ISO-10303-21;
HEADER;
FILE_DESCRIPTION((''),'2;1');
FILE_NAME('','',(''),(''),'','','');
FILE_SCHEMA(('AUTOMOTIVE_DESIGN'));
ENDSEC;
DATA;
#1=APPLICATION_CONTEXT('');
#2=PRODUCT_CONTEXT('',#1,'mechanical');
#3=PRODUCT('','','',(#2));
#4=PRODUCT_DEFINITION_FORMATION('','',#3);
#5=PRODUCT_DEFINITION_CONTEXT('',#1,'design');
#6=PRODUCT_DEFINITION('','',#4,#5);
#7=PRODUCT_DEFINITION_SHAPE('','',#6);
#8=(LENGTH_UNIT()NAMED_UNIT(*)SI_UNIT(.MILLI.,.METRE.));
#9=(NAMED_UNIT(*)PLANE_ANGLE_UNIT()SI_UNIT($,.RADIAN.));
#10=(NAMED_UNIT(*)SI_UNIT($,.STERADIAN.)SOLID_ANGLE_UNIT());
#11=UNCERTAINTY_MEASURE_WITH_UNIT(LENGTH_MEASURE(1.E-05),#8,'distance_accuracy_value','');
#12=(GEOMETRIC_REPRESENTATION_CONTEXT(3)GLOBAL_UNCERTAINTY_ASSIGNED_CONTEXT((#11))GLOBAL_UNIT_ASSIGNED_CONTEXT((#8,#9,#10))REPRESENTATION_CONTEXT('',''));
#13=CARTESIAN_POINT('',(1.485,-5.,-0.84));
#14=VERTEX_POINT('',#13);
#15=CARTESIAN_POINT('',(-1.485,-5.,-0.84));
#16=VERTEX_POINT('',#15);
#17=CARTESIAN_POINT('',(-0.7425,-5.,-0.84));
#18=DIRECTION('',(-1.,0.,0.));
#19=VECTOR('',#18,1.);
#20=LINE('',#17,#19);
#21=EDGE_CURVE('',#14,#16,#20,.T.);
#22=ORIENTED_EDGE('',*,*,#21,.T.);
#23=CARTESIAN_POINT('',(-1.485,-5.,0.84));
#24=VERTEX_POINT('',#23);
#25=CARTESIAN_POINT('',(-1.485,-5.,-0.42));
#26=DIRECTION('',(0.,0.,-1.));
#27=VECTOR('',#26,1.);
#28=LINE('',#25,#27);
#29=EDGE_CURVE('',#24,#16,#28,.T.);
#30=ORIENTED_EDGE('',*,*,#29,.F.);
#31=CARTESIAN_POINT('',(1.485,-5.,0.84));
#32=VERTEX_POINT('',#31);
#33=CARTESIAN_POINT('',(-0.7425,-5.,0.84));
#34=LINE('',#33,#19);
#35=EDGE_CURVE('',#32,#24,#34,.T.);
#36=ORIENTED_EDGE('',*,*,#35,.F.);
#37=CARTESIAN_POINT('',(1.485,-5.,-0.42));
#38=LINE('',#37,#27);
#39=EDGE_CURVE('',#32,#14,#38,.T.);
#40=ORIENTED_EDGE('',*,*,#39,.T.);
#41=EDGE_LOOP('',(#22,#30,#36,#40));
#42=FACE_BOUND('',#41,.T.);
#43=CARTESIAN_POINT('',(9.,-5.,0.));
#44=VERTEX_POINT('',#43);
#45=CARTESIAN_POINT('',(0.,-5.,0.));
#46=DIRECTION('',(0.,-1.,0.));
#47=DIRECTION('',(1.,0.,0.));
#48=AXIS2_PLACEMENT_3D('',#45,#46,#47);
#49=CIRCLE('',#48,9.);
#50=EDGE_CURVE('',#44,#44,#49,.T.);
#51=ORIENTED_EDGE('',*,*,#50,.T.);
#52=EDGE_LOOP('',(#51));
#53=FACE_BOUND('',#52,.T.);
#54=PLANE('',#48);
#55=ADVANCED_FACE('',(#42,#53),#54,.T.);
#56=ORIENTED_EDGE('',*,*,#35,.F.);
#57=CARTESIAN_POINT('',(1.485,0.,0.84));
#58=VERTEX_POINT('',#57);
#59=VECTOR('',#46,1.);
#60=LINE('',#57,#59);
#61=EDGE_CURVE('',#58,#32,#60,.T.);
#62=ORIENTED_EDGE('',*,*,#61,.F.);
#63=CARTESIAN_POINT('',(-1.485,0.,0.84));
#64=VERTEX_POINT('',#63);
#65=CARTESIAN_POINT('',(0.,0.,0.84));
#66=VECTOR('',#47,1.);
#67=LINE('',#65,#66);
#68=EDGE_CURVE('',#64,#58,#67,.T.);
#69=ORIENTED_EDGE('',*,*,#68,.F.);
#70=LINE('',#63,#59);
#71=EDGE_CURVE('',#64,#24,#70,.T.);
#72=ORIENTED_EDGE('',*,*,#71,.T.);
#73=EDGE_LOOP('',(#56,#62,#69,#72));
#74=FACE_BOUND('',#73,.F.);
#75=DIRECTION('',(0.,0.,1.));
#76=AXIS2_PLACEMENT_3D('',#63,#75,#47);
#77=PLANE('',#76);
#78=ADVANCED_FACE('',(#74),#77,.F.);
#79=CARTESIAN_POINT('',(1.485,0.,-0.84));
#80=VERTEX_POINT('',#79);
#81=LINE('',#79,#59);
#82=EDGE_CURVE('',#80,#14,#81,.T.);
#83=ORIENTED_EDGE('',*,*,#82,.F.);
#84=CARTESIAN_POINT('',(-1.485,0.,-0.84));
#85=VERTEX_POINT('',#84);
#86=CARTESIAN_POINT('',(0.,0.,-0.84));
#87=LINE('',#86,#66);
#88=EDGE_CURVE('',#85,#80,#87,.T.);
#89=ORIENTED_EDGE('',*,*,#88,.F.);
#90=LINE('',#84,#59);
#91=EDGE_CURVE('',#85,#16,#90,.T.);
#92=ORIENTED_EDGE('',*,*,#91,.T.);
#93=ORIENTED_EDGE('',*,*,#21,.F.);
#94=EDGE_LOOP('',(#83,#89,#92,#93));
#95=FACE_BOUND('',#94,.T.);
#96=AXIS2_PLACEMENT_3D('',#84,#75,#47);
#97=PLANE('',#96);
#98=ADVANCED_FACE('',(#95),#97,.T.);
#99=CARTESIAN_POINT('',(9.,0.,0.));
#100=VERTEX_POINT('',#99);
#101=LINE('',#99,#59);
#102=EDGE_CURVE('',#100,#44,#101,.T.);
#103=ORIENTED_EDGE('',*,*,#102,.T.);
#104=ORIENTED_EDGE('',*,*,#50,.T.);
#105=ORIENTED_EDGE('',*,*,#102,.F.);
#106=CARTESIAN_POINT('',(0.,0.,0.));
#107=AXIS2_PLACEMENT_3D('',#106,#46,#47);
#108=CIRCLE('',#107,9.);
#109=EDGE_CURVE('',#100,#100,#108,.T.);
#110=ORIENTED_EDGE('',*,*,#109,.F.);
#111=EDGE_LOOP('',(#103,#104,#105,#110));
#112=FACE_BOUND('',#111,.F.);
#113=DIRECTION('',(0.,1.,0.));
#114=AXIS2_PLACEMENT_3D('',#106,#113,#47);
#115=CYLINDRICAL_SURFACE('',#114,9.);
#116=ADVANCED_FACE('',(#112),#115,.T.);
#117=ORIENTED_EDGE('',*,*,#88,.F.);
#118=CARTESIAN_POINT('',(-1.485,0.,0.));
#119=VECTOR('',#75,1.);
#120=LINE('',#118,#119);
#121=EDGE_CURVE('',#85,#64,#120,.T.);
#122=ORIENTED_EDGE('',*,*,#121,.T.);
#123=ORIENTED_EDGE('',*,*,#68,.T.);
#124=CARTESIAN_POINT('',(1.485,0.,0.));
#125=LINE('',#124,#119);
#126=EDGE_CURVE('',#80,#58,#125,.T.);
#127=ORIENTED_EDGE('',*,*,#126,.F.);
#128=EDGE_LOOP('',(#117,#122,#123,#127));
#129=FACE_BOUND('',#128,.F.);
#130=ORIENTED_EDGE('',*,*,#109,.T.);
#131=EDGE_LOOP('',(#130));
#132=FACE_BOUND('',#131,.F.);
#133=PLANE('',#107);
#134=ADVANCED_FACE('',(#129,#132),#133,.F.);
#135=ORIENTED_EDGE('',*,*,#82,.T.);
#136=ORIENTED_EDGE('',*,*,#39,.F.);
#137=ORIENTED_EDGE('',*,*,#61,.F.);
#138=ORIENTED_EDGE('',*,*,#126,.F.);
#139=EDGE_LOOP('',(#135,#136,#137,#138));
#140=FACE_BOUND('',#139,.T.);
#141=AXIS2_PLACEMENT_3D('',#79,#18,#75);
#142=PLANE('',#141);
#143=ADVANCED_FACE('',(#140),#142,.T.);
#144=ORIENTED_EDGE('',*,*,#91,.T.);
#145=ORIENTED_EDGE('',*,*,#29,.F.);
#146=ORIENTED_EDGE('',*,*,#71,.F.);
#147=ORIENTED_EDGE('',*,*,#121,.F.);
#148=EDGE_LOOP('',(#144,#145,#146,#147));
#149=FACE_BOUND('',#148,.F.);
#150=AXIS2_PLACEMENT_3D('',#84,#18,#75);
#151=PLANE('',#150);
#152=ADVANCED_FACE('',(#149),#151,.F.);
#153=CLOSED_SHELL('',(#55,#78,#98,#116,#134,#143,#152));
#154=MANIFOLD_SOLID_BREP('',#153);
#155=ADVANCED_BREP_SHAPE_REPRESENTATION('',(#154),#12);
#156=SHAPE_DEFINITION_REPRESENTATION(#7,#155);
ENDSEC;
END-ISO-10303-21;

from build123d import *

# Parameters (mm, degrees)
F0_R     = 9
F1_DEPTH = 5
F2_W     = 2.97
F2_H     = 1.68
F3_DEPTH = 9.9


with BuildPart() as f1:
    # F0 (on Front) → F1 (new body)
    with BuildSketch(Plane.XZ):
        Circle(F0_R)
    extrude(amount=F1_DEPTH)

    # F2 (on Front) → F3 (cut)
    with BuildSketch(Plane.XZ):
        Rectangle(F2_W, F2_H)
    extrude(amount=F3_DEPTH, mode=Mode.SUBTRACT)


solid = f1.part
